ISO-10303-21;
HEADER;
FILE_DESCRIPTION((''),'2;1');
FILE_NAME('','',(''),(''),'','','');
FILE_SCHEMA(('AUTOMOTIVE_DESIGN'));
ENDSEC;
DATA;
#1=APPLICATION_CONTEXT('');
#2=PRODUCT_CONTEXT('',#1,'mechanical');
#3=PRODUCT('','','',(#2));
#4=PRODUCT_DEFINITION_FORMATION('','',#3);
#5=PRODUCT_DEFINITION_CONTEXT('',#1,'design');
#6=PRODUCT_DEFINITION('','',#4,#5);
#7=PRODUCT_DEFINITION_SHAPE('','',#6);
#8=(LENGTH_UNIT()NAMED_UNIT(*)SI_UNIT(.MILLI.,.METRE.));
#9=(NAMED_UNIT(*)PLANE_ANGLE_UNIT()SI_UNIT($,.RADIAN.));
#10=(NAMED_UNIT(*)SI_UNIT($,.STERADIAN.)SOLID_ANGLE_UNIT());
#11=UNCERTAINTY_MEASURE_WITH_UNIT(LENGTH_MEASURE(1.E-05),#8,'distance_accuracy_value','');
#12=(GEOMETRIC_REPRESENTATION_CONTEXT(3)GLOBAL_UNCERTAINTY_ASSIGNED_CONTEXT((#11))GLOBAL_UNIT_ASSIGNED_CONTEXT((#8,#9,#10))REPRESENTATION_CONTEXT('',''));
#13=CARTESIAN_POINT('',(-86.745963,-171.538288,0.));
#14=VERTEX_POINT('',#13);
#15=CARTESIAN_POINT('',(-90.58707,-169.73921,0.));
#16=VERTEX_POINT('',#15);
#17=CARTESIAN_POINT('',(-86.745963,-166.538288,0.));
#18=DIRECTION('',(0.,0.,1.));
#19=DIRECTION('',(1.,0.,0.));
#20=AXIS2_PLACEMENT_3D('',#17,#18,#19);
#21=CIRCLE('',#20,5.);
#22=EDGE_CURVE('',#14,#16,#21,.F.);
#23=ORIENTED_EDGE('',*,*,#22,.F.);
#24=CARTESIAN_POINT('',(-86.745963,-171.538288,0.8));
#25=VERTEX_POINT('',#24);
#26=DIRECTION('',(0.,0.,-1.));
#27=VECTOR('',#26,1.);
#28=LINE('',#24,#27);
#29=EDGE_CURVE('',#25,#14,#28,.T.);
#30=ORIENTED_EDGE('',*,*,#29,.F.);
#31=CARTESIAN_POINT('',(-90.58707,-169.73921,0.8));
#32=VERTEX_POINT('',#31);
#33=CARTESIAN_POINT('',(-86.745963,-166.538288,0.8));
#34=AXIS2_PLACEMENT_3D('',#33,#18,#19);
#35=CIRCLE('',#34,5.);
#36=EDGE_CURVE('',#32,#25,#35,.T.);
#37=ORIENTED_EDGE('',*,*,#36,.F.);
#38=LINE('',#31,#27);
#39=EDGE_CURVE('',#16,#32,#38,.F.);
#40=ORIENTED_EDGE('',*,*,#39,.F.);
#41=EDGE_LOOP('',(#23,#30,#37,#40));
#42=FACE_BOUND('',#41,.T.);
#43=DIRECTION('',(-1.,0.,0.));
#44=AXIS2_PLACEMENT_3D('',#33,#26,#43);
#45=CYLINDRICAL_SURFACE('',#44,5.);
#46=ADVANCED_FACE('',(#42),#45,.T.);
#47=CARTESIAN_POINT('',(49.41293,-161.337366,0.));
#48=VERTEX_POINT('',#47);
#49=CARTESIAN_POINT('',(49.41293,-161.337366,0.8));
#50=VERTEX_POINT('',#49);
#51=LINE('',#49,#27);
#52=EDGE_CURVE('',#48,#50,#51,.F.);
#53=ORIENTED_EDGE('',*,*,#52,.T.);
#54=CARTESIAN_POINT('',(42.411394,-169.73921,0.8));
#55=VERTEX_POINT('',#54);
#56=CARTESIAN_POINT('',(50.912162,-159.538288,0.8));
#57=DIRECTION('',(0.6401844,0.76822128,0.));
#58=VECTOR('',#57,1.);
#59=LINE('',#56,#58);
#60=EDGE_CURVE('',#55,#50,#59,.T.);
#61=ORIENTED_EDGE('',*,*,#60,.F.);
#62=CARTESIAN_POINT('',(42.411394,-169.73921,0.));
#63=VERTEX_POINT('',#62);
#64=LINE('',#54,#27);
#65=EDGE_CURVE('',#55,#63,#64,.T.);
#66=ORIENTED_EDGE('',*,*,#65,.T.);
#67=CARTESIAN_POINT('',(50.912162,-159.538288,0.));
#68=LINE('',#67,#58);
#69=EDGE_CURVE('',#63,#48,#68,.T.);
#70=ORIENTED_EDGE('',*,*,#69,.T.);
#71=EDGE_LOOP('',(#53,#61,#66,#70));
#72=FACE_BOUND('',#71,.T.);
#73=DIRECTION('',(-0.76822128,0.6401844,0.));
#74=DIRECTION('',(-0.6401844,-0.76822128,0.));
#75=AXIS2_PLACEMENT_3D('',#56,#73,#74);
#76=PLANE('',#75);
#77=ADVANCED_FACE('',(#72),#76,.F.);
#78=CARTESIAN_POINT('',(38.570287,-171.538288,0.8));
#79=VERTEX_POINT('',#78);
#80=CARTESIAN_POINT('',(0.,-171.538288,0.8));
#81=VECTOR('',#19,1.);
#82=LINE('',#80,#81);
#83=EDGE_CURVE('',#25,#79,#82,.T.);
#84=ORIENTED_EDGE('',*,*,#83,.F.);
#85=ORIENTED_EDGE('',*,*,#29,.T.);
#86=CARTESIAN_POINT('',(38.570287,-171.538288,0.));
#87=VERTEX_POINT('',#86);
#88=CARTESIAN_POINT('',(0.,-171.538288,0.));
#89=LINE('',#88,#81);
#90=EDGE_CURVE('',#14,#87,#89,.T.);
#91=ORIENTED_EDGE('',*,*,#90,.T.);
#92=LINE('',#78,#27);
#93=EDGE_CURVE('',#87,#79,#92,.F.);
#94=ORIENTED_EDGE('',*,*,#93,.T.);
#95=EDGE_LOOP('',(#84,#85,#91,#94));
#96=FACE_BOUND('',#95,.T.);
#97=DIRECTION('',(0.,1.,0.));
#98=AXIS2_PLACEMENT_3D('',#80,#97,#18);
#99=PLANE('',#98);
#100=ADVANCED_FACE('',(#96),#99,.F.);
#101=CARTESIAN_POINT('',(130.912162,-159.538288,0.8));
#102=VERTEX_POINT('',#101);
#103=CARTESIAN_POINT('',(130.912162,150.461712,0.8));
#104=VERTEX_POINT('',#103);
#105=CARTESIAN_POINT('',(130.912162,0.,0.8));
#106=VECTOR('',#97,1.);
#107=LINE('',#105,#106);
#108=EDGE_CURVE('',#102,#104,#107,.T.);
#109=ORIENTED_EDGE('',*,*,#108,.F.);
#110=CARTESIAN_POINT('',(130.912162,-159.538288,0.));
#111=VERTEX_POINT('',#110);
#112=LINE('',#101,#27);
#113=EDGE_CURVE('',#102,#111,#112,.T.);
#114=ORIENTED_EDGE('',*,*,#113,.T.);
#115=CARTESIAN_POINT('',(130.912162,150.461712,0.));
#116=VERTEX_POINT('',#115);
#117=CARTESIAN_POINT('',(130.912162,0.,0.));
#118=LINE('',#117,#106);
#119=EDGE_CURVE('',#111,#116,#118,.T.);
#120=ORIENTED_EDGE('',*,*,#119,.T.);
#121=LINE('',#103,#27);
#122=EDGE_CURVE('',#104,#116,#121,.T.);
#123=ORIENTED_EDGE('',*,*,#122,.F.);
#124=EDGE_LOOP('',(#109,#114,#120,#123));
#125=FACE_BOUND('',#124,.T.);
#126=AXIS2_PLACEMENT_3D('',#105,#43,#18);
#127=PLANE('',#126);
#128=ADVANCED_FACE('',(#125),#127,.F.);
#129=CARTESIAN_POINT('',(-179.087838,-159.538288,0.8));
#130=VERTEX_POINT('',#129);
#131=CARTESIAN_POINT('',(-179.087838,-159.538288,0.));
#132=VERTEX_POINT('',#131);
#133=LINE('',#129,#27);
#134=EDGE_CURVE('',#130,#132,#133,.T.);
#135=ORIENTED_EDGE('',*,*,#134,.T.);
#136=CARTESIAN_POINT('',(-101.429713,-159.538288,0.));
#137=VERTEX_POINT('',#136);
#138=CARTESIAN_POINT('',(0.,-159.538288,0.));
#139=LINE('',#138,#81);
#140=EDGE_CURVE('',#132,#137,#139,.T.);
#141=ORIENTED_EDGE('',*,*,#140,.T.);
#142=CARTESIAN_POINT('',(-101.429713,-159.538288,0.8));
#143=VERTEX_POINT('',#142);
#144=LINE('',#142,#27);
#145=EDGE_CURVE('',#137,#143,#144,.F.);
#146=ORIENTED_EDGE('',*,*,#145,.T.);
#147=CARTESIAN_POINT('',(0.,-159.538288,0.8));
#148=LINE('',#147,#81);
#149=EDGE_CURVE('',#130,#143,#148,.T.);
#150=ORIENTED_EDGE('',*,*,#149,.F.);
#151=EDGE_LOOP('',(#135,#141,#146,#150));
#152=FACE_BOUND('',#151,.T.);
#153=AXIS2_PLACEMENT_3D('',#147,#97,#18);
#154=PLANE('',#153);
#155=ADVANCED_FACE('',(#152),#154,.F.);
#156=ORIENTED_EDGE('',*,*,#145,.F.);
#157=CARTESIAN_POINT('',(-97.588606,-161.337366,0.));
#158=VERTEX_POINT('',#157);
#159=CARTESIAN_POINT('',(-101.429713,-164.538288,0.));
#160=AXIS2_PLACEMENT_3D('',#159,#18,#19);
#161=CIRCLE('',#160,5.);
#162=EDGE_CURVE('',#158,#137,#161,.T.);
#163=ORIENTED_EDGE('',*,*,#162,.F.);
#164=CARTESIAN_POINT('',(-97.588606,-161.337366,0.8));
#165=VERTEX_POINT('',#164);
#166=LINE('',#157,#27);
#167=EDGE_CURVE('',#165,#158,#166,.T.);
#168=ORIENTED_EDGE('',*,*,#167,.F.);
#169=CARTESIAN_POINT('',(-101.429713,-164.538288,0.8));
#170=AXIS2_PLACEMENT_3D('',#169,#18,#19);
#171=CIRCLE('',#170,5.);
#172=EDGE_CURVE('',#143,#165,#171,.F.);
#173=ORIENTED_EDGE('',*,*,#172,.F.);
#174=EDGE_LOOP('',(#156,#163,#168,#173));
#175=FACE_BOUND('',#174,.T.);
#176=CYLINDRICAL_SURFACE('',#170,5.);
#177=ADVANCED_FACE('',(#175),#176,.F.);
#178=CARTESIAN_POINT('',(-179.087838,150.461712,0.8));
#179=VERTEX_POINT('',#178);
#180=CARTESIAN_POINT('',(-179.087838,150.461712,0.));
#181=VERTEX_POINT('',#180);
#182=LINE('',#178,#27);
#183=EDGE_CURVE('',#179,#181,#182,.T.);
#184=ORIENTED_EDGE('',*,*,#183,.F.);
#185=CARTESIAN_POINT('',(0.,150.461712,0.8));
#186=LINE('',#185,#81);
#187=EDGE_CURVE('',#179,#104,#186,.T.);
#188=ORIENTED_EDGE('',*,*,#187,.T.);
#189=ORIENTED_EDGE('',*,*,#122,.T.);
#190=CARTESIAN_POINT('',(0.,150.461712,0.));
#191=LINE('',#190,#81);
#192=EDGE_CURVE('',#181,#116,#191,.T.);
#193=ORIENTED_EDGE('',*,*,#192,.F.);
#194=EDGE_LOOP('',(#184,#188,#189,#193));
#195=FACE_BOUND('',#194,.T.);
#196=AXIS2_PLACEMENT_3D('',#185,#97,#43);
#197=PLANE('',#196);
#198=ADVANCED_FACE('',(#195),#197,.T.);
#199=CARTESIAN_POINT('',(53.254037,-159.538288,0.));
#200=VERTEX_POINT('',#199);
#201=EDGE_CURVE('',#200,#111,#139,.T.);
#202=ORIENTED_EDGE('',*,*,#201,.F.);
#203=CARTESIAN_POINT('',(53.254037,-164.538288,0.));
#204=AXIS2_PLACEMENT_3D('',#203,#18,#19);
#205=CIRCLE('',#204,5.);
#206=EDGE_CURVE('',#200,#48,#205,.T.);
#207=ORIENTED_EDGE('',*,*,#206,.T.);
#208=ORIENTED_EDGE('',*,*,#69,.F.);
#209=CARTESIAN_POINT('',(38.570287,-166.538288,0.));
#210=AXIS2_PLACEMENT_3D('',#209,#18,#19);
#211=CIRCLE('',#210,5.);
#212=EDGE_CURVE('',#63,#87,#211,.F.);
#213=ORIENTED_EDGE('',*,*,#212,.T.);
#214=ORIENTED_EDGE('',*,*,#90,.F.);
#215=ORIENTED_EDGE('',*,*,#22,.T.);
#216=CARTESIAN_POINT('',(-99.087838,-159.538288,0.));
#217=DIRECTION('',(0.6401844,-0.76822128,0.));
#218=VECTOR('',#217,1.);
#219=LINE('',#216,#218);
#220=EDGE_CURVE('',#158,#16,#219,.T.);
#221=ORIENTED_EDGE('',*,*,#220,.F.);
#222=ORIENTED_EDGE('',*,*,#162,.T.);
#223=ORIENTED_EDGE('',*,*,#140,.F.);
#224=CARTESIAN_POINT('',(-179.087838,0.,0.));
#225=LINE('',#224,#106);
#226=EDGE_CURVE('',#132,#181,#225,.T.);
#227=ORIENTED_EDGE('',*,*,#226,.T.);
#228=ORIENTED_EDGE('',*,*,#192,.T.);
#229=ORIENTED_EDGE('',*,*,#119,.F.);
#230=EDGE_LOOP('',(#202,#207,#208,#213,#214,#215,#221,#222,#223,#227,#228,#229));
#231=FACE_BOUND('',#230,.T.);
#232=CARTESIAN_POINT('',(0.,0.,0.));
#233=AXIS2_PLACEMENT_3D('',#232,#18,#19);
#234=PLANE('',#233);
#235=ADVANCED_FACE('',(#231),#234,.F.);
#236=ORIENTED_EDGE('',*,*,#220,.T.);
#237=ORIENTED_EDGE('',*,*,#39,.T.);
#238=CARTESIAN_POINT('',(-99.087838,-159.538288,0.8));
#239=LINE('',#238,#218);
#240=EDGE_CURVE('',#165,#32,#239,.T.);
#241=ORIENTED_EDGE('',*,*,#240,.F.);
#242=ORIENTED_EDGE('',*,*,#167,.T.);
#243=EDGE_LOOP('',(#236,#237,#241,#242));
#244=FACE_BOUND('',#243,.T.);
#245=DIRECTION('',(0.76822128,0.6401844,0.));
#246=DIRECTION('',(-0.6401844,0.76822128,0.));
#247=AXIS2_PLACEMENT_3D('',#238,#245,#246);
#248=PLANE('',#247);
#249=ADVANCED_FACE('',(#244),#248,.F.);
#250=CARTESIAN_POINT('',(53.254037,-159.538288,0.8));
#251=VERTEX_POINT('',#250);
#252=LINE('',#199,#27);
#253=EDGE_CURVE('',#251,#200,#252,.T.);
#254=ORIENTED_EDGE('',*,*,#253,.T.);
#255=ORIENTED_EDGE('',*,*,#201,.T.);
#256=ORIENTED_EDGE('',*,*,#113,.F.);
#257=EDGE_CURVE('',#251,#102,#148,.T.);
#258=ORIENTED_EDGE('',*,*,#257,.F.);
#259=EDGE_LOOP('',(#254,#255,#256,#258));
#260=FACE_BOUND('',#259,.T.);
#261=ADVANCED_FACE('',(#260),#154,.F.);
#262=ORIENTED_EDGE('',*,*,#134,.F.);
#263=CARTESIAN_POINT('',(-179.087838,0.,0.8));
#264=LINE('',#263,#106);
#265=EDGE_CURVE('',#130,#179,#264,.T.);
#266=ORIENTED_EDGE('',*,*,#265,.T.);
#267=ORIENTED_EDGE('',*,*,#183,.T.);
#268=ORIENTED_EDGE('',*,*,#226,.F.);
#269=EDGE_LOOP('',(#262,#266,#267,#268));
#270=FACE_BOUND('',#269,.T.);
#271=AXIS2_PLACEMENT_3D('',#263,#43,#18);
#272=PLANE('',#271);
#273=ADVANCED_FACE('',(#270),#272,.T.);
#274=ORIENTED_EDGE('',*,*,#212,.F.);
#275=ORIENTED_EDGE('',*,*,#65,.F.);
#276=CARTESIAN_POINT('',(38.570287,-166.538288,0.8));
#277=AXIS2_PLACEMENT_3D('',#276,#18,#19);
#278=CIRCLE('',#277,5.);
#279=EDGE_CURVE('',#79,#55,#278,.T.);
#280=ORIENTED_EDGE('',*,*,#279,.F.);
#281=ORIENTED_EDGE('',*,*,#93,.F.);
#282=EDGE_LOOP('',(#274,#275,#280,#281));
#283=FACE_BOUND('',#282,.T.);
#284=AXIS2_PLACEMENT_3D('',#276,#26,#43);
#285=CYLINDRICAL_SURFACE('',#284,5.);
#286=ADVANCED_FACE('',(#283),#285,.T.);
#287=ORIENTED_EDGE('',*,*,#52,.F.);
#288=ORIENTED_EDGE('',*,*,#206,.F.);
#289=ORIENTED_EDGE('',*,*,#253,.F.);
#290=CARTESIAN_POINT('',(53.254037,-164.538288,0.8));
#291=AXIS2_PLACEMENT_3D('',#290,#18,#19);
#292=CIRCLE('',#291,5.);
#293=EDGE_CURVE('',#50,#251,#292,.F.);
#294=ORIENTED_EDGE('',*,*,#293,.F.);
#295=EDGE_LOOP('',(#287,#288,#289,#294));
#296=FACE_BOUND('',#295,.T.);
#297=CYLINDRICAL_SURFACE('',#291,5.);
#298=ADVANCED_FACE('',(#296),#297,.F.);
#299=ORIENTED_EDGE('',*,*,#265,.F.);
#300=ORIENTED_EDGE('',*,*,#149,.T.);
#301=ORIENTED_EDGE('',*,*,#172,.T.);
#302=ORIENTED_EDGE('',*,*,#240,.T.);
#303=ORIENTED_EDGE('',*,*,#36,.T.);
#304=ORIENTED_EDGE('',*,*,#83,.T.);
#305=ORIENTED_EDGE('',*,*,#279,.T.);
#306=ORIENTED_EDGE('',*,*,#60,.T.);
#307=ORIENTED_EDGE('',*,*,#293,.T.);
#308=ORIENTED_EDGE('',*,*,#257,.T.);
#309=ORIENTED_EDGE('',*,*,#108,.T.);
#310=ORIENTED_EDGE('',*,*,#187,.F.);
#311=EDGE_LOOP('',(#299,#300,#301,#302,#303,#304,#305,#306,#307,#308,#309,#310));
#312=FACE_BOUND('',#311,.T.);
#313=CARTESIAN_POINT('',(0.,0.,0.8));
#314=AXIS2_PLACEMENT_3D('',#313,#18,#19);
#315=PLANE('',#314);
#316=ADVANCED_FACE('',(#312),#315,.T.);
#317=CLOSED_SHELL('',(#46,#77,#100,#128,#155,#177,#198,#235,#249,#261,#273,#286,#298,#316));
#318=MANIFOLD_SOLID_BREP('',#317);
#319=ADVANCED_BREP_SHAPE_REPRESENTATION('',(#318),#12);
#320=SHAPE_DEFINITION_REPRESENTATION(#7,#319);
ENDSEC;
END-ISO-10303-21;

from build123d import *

# Parameters (mm, degrees)
SKETCH_1_W          = 310
SKETCH_1_H          = 310
SKETCH_1_W_2        = 150
SKETCH_1_H_2        = 12
EXTRUDE_1_DEPTH     = 0.8
CUT_EXTRUDE_1_DEPTH = 0.8
FILLET_1_R          = 5


with BuildPart() as part:
    # 草图1 → 凸台-拉伸1 (new body)
    with BuildSketch(Plane.XY):
        with Locations((-24.087837838, -4.538288288)):
            Rectangle(SKETCH_1_W, SKETCH_1_H)
        with Locations((-24.087837838, -165.538288288)):
            Rectangle(SKETCH_1_W_2, SKETCH_1_H_2)
    extrude(amount=EXTRUDE_1_DEPTH)

    # 草图2 → 切除-拉伸1 (cut)
    with BuildSketch(Plane(origin=(0, 0, 0), x_dir=(-1, 0, 0), z_dir=(0, 0, -1))):
        Polygon((99.087837838, -159.538288288), (89.087837838, -171.538288288), (99.087837838, -171.538288288), align=None)
        Polygon((-50.912162162, -159.538288288), (-40.912162162, -171.538288288), (-50.912162162, -171.538288288), align=None)
    extrude(amount=-CUT_EXTRUDE_1_DEPTH, mode=Mode.SUBTRACT)

    # 圆角1
    fillet_1_edges = [part.edges().sort_by_distance(p)[0] for p in [
        (50.912162162, -159.538288288, 0.4),
        (-99.087837838, -159.538288288, 0.4),
        (-89.087837838, -171.538288288, 0.4),
        (40.912162162, -171.538288288, 0.4),
    ]]
    fillet(fillet_1_edges, radius=FILLET_1_R)


solid = part.part
